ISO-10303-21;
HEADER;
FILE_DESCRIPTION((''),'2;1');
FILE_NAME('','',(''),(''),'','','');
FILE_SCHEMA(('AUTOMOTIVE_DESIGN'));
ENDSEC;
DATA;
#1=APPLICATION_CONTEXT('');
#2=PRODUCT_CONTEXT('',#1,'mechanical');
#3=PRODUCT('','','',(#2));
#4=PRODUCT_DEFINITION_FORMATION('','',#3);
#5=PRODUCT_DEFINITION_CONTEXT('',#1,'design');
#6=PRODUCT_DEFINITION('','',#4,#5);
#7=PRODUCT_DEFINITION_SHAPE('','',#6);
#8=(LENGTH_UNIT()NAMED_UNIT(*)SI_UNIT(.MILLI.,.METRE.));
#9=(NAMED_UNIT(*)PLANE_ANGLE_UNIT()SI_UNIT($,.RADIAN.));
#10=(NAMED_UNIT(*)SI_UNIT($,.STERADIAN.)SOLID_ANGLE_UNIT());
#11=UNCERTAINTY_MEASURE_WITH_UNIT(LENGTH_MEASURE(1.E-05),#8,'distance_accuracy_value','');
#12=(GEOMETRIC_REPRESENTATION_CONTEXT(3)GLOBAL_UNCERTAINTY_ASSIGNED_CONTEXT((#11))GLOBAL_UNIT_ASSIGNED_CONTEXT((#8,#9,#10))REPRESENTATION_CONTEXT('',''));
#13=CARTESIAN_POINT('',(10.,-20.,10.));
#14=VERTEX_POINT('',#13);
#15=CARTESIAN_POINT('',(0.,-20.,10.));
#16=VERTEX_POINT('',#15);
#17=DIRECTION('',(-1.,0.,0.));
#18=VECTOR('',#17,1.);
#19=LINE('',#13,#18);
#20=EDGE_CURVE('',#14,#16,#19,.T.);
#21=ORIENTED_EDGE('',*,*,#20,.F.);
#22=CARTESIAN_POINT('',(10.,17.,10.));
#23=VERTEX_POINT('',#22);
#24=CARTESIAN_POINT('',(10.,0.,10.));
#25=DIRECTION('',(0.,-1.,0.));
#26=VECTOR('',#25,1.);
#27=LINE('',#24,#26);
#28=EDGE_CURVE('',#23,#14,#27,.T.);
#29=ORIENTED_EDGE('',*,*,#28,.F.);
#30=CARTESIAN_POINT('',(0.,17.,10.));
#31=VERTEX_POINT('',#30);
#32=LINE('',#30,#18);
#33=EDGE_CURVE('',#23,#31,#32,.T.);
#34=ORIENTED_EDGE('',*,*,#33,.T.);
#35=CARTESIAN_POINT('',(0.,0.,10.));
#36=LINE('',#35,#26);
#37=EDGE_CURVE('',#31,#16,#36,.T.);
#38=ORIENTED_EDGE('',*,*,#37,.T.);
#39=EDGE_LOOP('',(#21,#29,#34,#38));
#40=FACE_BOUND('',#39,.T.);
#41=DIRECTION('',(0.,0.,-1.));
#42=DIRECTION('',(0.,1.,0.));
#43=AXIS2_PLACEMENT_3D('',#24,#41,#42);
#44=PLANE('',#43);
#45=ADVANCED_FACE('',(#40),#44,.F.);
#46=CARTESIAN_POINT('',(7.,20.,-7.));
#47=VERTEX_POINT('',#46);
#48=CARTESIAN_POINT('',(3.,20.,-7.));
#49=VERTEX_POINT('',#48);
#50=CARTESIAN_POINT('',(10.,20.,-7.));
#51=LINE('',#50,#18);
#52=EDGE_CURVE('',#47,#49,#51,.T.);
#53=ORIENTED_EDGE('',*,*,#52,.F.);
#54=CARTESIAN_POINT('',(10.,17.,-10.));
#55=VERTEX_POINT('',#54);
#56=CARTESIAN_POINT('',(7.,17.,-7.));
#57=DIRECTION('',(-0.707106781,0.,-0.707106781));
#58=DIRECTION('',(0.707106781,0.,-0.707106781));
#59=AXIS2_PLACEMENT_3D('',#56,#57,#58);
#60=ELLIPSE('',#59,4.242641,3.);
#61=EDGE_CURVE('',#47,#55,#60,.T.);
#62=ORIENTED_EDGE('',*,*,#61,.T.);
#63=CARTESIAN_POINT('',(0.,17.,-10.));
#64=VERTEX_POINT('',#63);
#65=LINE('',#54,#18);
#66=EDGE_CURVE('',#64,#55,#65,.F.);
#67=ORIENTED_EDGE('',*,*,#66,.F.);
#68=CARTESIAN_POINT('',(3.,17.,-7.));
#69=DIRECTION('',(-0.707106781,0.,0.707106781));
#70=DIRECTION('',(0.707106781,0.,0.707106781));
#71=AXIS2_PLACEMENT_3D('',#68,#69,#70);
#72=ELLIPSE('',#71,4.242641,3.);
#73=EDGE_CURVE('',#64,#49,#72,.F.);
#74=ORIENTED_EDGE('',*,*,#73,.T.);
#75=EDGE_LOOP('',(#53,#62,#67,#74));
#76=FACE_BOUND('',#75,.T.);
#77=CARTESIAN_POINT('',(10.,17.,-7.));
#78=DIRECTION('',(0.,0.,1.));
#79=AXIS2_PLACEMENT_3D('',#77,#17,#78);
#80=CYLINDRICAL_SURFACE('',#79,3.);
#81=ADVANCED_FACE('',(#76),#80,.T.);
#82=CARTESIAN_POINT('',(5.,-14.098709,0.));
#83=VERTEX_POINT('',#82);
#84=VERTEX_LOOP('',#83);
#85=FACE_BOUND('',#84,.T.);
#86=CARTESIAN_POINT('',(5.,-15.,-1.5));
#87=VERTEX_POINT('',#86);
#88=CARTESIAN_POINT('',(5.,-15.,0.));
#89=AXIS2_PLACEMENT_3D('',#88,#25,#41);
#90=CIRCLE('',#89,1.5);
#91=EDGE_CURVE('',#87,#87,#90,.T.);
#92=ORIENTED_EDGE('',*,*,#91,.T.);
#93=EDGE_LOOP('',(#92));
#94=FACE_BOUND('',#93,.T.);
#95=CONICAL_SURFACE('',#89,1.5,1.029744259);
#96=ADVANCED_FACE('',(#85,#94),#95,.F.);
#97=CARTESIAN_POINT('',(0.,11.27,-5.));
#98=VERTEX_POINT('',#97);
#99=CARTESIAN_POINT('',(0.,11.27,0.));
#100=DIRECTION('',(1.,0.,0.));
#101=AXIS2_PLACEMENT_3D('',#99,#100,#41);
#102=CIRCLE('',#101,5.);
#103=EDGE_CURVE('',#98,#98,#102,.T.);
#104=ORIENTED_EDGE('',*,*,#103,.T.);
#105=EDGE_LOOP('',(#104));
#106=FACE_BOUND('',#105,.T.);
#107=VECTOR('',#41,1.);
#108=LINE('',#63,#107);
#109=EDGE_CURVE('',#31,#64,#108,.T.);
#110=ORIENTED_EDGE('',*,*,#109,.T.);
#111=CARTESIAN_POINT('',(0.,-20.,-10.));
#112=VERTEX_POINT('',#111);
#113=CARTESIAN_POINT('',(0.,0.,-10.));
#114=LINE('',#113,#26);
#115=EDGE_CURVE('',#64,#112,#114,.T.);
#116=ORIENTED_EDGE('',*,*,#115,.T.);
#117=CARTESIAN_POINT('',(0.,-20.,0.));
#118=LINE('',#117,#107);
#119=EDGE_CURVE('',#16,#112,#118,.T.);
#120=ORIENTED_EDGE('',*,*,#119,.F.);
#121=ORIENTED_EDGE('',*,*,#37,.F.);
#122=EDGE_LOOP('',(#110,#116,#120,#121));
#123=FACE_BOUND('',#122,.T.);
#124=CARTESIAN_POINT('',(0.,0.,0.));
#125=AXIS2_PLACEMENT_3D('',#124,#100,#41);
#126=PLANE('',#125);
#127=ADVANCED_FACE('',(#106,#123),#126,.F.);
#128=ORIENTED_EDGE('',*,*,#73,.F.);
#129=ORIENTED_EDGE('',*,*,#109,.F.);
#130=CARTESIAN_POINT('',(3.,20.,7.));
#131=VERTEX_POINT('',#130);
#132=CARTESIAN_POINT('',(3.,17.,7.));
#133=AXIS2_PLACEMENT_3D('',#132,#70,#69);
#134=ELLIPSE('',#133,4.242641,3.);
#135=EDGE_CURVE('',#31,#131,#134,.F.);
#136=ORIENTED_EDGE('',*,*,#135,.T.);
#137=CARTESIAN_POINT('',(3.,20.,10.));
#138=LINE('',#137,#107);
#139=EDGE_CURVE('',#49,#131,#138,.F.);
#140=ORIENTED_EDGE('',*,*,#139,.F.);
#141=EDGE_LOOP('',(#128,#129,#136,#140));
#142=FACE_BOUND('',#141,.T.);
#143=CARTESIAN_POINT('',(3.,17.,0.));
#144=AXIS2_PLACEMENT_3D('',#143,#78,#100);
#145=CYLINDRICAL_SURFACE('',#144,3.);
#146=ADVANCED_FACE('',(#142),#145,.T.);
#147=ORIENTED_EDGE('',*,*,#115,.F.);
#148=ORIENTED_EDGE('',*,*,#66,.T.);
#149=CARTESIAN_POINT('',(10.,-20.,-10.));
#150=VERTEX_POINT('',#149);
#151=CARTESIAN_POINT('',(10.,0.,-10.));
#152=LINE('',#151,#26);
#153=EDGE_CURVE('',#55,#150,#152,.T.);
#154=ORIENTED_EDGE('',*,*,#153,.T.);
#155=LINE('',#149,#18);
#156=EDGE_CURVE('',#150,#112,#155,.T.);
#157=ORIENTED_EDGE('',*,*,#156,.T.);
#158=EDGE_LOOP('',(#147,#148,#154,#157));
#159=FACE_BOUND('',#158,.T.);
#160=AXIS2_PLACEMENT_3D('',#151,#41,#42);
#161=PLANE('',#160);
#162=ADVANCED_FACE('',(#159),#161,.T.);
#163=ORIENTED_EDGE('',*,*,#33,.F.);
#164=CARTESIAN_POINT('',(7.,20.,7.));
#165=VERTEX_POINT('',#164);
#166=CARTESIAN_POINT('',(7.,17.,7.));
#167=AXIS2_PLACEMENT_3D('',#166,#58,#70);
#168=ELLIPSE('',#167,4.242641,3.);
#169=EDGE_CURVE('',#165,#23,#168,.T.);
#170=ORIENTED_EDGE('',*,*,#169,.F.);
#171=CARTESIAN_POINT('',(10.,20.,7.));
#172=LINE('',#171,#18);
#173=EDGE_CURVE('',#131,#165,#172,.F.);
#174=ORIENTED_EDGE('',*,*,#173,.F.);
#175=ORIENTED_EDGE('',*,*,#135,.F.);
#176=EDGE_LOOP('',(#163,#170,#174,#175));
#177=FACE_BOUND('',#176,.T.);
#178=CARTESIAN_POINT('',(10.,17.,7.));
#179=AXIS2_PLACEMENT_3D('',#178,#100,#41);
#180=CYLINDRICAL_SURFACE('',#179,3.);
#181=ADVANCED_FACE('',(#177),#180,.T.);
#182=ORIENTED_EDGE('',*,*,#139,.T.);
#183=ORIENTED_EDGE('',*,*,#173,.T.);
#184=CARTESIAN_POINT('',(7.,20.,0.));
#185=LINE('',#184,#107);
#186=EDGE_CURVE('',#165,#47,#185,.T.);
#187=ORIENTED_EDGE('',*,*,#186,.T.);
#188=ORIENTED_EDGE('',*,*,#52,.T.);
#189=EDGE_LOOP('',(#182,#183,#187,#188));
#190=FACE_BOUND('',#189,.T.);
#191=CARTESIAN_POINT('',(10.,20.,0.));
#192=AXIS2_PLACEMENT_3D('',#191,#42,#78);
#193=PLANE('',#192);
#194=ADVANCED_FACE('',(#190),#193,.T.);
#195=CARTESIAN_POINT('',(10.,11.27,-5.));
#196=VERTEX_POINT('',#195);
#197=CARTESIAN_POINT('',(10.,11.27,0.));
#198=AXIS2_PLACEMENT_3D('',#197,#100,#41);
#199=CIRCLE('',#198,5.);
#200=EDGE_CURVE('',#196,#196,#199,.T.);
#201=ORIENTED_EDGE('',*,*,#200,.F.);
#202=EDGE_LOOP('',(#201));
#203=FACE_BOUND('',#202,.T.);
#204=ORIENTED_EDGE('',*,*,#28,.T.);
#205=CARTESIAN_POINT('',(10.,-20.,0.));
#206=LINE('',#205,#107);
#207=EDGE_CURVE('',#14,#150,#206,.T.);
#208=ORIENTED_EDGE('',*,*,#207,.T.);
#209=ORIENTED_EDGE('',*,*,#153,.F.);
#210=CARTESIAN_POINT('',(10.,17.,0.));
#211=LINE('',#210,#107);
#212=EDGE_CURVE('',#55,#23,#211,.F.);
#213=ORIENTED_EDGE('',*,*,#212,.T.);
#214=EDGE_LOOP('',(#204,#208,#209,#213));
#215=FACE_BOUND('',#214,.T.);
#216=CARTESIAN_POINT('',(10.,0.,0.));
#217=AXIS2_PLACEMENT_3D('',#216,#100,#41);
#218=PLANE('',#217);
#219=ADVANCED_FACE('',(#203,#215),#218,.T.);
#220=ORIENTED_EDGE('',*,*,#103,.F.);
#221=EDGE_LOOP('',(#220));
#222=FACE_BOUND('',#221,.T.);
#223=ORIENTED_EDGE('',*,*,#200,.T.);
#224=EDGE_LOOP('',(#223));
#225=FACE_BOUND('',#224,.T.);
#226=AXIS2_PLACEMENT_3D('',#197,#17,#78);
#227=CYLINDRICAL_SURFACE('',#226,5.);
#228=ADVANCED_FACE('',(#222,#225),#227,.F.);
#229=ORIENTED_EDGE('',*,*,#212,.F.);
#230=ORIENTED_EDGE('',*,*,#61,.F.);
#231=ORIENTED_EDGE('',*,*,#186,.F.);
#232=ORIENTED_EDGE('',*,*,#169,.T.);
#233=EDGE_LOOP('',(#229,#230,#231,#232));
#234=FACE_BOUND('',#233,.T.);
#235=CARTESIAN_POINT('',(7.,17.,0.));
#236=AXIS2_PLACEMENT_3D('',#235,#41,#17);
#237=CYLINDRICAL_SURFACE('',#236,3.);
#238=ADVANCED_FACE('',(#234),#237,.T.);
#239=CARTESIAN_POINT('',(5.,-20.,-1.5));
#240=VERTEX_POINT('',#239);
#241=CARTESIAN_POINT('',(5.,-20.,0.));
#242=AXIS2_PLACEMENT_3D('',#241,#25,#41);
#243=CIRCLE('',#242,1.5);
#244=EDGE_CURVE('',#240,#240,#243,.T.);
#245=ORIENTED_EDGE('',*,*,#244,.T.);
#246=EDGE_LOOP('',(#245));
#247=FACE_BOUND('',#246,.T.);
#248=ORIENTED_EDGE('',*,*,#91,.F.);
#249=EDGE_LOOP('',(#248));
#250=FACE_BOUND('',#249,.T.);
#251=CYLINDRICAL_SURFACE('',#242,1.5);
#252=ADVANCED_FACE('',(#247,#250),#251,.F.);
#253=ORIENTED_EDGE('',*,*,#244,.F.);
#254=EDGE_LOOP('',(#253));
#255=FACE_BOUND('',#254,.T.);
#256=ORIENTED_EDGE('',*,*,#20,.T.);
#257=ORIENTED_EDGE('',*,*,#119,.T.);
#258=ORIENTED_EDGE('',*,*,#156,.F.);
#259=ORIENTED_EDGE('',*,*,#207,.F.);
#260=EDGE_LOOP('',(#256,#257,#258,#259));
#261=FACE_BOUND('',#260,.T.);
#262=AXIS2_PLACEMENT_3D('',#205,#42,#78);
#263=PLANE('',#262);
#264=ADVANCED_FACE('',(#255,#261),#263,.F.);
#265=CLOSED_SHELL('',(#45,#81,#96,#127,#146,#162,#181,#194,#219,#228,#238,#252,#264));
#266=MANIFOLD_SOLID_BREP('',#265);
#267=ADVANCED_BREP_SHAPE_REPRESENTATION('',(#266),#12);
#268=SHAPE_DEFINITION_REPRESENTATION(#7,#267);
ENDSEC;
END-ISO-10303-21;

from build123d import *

# Parameters (mm, degrees)
SKETCH1_W                 = 20
SKETCH1_H                 = 40
SKETCH1_R                 = 5
BOSS_EXTRUDE1_DEPTH       = 10
FILLET1_R                 = 3
F_3_0MM_DOWEL_HOLE1_D     = 3
F_3_0MM_DOWEL_HOLE1_DEPTH = 5
F_3_0MM_DOWEL_HOLE1_TIP   = 0.901290929


with BuildPart() as part:
    # Sketch1 → Boss-Extrude1 (new body)
    with BuildSketch(Plane(origin=(0, 0, 0), x_dir=(0, 0, -1), z_dir=(1, 0, 0))):
        Rectangle(SKETCH1_W, SKETCH1_H)
        with Locations((0, 11.27)):
            Circle(SKETCH1_R, mode=Mode.SUBTRACT)
    extrude(amount=BOSS_EXTRUDE1_DEPTH)

    # Fillet1
    fillet1_edges = [part.edges().sort_by_distance(p)[0] for p in [
        (5, 20, 10),
        (5, 20, -10),
        (10, 20, 0),
        (0, 20, 0),
    ]]
    fillet(fillet1_edges, radius=FILLET1_R)

    # Ø3.0mm Dowel Hole1
    with Locations(Plane.XZ.offset(20)):
        with Locations((5, 0)):
            Hole(F_3_0MM_DOWEL_HOLE1_D / 2, depth=F_3_0MM_DOWEL_HOLE1_DEPTH)
            with Locations((0, 0, -(F_3_0MM_DOWEL_HOLE1_DEPTH + F_3_0MM_DOWEL_HOLE1_TIP / 2))):  # 118° drill point
                Cone(0, F_3_0MM_DOWEL_HOLE1_D / 2, F_3_0MM_DOWEL_HOLE1_TIP, mode=Mode.SUBTRACT)


solid = part.part
